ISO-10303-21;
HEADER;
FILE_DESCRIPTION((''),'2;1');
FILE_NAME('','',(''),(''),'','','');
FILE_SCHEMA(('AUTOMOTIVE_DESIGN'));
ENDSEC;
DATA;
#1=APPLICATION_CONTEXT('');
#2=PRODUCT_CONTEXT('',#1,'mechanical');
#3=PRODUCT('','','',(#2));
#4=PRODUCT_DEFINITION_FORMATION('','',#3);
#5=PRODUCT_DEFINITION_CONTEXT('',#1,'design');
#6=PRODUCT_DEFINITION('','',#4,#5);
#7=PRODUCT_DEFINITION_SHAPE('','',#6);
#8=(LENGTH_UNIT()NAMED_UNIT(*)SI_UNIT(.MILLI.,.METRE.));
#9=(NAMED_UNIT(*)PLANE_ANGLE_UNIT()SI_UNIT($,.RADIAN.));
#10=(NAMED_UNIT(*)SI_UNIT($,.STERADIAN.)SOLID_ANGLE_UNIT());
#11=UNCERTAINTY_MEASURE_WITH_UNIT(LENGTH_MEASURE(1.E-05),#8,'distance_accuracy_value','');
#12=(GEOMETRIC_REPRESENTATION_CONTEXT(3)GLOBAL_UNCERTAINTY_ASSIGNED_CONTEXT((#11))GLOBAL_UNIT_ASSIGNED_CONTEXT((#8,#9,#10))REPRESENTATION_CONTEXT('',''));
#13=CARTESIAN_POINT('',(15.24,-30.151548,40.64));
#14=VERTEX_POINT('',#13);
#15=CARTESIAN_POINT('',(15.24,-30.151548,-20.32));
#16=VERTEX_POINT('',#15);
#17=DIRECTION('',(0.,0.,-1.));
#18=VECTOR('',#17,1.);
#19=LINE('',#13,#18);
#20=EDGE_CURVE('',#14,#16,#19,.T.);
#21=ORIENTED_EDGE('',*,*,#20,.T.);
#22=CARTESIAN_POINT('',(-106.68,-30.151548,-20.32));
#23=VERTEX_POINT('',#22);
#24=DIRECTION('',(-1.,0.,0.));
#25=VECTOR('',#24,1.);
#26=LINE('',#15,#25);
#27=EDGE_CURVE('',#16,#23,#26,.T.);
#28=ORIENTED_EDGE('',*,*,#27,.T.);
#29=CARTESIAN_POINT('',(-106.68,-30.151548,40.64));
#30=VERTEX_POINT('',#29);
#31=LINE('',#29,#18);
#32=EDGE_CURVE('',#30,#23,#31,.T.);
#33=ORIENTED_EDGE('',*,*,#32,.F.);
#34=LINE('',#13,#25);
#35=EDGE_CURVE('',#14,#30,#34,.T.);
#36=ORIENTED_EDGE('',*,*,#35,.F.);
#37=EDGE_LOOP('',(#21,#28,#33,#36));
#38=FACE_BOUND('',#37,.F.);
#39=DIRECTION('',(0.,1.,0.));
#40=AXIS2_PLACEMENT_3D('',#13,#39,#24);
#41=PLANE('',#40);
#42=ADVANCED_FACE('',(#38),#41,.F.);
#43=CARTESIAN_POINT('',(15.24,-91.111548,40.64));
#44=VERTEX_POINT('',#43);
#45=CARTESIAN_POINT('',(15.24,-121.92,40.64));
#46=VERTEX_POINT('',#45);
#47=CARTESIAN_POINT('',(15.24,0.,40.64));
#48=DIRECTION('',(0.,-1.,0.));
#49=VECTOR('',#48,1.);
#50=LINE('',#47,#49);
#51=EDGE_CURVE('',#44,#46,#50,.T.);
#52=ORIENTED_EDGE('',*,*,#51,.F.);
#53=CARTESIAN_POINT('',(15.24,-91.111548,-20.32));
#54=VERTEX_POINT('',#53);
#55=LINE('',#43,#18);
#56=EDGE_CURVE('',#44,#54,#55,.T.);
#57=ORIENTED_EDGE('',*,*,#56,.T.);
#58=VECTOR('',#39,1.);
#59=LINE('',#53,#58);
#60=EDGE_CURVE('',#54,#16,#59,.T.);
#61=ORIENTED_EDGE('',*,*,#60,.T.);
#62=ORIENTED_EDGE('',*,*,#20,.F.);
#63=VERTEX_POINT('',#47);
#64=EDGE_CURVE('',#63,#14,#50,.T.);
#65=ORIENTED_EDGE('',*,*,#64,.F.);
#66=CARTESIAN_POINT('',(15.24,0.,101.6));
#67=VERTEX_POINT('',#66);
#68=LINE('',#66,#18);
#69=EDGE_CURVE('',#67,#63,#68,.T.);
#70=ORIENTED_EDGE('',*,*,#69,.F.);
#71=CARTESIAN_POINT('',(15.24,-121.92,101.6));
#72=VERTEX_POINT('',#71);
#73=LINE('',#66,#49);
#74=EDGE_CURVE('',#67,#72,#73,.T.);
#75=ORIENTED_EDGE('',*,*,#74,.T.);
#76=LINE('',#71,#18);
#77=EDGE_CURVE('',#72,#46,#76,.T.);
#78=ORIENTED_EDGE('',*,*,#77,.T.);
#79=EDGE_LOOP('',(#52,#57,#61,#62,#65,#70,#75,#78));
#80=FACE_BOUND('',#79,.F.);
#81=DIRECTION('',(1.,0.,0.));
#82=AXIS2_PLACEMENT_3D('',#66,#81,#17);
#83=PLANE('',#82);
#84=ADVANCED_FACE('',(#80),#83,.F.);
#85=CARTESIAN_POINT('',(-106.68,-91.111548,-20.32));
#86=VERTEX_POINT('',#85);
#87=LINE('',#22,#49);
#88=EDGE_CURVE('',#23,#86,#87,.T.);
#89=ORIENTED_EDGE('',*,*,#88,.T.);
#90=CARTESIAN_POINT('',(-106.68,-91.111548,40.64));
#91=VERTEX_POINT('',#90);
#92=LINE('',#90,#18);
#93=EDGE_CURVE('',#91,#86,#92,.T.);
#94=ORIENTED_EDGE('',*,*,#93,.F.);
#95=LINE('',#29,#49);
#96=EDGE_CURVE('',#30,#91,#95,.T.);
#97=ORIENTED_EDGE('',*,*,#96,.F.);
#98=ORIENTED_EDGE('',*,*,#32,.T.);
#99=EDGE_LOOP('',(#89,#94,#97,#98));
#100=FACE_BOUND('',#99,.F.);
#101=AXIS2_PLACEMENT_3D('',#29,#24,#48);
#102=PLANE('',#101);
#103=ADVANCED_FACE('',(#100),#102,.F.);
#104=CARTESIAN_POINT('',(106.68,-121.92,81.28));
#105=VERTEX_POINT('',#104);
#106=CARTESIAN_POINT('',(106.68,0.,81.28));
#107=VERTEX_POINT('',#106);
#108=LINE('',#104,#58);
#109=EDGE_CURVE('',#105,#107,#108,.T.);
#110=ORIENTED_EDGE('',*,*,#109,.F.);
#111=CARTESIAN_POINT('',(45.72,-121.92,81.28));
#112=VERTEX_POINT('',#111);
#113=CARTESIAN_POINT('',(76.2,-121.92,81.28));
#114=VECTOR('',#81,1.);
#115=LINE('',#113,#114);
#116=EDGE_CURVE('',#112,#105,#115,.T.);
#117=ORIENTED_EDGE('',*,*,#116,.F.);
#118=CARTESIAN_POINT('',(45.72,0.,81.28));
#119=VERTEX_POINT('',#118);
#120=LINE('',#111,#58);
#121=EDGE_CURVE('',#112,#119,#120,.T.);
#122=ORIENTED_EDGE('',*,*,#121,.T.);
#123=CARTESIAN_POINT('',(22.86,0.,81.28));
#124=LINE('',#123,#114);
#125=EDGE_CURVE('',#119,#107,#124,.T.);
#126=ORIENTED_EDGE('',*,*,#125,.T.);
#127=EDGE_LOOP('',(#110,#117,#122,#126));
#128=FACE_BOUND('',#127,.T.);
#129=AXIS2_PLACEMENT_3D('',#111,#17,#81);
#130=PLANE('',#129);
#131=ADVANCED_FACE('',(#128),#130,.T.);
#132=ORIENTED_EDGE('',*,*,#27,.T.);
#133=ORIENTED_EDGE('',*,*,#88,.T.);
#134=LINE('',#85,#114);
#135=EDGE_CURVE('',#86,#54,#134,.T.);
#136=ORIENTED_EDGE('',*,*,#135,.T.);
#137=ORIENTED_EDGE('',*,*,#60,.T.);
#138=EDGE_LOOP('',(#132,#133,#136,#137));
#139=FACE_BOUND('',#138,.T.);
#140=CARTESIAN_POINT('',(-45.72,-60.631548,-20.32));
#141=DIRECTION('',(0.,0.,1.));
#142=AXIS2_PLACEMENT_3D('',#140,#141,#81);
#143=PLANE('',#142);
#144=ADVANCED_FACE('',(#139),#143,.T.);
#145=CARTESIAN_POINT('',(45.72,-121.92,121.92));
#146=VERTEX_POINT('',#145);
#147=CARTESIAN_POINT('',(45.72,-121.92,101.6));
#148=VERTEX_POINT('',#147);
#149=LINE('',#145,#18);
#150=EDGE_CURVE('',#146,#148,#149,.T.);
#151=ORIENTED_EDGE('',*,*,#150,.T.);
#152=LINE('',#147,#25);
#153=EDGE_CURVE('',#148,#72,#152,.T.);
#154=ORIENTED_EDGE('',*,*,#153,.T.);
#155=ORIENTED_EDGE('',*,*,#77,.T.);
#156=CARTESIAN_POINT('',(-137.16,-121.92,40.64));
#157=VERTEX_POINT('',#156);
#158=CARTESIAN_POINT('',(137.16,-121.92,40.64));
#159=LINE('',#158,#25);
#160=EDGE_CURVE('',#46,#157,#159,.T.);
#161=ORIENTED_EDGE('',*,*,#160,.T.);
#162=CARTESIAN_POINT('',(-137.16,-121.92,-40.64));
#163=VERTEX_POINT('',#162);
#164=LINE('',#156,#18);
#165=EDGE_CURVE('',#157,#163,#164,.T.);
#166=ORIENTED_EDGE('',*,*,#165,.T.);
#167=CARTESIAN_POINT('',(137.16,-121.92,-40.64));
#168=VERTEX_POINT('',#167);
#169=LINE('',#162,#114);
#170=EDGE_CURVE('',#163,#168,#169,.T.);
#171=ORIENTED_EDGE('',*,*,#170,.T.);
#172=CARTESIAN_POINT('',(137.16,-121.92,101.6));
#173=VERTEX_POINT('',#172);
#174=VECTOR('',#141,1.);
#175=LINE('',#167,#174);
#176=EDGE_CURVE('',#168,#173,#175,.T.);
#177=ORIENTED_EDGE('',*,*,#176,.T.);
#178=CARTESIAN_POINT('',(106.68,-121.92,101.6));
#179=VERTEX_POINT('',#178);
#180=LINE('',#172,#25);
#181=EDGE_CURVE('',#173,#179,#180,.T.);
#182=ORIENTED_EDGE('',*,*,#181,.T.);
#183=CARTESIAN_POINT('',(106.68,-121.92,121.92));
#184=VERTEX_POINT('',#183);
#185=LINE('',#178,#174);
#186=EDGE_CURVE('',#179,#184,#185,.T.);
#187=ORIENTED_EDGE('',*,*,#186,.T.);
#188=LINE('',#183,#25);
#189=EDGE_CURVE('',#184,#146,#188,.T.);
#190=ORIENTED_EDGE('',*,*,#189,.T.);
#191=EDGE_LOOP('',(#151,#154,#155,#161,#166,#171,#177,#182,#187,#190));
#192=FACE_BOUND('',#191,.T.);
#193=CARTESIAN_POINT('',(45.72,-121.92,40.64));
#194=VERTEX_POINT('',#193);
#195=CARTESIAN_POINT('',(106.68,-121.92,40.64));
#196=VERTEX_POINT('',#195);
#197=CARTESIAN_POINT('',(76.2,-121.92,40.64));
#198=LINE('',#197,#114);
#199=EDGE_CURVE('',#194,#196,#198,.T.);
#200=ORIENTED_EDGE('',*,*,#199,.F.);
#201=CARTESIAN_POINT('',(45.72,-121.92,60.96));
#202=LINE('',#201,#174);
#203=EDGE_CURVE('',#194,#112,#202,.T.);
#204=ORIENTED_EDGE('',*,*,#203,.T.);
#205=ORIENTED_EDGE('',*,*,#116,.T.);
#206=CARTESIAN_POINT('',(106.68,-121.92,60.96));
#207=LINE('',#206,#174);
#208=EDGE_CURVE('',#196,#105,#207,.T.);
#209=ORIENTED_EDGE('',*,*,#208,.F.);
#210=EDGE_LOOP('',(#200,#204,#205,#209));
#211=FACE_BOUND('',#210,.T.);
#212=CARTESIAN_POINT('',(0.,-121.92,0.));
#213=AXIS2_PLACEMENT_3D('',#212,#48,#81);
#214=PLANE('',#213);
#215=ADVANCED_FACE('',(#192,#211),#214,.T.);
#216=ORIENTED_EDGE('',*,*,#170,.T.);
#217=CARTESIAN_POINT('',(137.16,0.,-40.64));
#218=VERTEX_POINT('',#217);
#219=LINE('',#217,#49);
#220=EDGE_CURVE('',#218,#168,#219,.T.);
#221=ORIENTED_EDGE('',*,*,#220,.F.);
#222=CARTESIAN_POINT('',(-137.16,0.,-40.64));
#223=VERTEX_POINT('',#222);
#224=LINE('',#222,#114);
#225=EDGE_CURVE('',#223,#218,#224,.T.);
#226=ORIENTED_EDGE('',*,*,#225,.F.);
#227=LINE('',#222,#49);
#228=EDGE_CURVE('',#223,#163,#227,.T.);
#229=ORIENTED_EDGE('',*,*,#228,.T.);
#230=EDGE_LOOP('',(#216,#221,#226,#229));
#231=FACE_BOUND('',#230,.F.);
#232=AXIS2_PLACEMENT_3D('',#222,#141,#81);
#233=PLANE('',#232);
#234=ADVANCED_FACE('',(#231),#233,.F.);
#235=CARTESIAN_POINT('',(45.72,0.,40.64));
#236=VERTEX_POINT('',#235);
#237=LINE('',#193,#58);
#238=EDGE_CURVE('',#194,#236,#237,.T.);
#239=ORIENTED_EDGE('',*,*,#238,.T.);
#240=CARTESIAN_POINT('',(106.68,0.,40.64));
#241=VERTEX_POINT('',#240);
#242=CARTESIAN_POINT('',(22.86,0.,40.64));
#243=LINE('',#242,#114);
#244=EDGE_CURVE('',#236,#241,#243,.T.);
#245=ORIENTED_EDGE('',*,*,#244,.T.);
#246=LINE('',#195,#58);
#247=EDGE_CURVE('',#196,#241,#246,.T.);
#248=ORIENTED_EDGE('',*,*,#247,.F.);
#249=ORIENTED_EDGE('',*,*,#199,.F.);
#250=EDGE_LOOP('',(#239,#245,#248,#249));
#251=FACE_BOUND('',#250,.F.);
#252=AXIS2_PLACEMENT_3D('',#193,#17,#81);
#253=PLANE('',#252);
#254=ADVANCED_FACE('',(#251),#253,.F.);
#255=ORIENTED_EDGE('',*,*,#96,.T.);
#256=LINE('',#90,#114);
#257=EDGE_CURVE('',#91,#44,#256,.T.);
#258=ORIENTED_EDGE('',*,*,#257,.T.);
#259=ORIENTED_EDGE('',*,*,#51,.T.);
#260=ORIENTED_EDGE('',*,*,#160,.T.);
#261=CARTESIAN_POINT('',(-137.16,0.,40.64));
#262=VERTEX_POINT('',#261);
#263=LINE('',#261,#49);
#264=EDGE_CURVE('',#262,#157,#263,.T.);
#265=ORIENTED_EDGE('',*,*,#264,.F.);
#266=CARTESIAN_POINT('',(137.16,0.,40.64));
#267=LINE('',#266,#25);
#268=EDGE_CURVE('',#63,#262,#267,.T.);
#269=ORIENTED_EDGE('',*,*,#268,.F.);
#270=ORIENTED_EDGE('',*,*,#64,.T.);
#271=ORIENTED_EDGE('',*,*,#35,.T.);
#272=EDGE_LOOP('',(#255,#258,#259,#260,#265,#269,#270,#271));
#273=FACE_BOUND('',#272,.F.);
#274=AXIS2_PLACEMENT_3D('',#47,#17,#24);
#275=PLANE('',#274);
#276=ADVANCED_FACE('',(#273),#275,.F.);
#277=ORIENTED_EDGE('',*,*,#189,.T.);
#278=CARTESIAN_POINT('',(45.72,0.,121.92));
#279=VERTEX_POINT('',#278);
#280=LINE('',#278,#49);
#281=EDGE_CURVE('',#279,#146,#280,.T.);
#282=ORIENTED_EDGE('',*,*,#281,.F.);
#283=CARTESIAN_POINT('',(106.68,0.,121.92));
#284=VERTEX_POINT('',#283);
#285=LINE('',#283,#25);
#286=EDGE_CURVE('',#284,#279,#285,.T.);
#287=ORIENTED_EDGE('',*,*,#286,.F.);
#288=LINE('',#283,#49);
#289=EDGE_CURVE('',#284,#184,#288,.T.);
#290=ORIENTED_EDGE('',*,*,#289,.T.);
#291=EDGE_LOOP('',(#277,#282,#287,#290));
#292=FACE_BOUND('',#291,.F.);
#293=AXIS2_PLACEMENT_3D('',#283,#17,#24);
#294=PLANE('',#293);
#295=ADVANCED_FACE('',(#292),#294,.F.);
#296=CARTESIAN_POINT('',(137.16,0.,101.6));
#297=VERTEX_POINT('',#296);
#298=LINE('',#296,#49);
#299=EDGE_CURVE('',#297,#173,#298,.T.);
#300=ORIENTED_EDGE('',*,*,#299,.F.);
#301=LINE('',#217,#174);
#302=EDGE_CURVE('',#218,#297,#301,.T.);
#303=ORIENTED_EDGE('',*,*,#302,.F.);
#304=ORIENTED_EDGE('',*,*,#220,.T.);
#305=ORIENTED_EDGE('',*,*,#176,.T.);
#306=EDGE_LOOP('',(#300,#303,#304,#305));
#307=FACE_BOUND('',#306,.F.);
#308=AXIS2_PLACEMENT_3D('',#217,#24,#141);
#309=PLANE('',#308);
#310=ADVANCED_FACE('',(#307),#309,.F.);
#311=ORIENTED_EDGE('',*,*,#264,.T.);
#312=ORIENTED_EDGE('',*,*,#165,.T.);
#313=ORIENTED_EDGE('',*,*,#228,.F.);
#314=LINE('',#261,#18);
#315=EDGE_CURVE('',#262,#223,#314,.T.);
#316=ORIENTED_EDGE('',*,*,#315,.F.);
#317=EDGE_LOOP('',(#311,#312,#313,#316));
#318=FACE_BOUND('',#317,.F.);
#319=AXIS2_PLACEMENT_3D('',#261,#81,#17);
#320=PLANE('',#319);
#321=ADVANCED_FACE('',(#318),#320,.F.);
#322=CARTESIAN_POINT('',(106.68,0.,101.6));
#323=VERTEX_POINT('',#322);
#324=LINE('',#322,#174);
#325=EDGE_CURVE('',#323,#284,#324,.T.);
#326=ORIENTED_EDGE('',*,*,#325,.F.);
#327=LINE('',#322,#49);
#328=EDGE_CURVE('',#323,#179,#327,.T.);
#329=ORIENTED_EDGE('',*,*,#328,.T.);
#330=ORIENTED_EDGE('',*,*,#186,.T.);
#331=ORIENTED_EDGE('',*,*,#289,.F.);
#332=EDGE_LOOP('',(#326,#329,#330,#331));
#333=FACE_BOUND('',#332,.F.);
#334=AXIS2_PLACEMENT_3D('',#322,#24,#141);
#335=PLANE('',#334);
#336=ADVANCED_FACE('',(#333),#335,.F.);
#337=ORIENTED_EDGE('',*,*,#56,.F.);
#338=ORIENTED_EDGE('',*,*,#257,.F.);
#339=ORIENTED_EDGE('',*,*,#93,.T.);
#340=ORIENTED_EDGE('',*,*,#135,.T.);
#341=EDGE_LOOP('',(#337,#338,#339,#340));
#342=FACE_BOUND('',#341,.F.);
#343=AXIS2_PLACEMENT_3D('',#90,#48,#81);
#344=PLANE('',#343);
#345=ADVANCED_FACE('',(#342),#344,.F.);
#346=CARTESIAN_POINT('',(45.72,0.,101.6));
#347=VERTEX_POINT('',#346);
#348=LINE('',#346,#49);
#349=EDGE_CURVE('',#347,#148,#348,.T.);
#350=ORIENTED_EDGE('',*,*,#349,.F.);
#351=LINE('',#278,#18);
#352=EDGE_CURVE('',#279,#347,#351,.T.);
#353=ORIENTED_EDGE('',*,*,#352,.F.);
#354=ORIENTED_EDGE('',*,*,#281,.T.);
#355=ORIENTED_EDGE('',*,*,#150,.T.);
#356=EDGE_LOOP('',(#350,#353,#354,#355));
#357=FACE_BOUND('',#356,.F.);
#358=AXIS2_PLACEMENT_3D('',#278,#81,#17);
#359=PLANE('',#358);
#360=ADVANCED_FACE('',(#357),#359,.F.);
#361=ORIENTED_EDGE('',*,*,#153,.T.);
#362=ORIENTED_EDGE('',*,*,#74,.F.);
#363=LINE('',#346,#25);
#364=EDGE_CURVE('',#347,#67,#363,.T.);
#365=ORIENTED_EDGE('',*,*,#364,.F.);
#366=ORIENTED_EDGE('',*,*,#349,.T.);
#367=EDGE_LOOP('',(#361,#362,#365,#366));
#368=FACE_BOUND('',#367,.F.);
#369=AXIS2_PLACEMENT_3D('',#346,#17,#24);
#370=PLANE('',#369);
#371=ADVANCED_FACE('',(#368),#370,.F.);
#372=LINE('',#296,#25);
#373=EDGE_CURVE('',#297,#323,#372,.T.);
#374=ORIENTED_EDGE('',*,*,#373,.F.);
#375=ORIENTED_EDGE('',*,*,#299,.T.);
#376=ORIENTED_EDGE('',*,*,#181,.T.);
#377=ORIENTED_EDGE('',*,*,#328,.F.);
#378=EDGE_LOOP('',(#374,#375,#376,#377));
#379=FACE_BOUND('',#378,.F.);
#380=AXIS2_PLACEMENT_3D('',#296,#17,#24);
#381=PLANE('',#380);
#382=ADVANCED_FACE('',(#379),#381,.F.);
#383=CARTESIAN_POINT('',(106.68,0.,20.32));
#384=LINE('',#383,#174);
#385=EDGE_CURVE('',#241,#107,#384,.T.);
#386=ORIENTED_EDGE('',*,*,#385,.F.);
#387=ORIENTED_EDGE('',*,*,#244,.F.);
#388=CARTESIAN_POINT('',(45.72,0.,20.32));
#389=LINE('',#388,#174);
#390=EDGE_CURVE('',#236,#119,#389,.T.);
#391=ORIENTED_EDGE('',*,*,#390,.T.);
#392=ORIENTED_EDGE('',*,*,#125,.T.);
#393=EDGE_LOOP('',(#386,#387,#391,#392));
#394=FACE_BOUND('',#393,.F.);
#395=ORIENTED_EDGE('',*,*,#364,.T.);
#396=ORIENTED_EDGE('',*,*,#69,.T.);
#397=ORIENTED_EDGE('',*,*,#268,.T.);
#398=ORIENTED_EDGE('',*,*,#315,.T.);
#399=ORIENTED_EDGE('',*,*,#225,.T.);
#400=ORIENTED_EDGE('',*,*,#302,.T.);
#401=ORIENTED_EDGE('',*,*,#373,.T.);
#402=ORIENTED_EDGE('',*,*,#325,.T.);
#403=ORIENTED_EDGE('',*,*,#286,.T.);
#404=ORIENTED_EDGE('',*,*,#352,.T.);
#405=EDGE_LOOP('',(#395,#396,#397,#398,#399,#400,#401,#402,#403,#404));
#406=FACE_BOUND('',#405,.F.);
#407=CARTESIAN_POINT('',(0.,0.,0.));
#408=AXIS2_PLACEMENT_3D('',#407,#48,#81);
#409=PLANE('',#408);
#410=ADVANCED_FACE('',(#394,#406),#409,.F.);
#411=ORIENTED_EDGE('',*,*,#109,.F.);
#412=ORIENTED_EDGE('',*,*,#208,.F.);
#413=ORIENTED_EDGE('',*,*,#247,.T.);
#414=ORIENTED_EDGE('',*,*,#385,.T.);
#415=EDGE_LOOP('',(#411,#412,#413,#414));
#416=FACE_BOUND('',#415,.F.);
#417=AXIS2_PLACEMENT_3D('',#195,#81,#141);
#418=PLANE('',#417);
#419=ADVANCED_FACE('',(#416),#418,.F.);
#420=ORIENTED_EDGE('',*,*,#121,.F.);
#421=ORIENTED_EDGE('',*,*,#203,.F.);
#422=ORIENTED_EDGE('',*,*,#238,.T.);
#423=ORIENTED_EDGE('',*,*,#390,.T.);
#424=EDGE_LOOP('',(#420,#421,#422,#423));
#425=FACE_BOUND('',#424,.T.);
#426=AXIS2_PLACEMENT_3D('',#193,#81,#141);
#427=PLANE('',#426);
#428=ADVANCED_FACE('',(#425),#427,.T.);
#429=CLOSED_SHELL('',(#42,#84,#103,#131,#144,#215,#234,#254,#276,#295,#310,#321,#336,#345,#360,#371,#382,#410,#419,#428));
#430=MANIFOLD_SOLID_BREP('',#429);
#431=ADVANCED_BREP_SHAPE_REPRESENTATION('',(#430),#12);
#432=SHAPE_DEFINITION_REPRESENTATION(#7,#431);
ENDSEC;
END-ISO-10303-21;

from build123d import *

# Parameters (mm, degrees)
F1_DEPTH = 121.92
F3_DEPTH = 60.96
F4_W     = 60.96
F4_H     = 40.64
F5_DEPTH = 121.921


with BuildPart() as f1:
    # F0 (on Front) → F1 (new body)
    with BuildSketch(Plane.XZ):
        Polygon((137.16, -40.64), (137.16, 40.64), (15.24, 40.64), (-137.16, 40.64), (-137.16, -40.64), align=None)
        Polygon((15.24, 40.64), (137.16, 40.64), (137.16, 101.6), (106.68, 101.6), (106.68, 121.92), (45.72, 121.92), (45.72, 101.6), (15.24, 101.6), align=None)
    extrude(amount=F1_DEPTH)

    # F2 (on face) → F3 (cut)
    with BuildSketch(Plane.XY.offset(40.64)):
        Polygon((15.24, -91.111548), (15.24, -30.151548), (-45.72, -30.151548), (-106.68, -30.151548), (-106.68, -91.111548), align=None)
    extrude(amount=-F3_DEPTH, mode=Mode.SUBTRACT)

    # F4 (on face) → F5 (cut, through all)
    with BuildSketch(Plane.XZ.offset(121.92)):
        with Locations((76.2, 60.96)):
            Rectangle(F4_W, F4_H)
    extrude(amount=-F5_DEPTH, mode=Mode.SUBTRACT)


solid = f1.part
